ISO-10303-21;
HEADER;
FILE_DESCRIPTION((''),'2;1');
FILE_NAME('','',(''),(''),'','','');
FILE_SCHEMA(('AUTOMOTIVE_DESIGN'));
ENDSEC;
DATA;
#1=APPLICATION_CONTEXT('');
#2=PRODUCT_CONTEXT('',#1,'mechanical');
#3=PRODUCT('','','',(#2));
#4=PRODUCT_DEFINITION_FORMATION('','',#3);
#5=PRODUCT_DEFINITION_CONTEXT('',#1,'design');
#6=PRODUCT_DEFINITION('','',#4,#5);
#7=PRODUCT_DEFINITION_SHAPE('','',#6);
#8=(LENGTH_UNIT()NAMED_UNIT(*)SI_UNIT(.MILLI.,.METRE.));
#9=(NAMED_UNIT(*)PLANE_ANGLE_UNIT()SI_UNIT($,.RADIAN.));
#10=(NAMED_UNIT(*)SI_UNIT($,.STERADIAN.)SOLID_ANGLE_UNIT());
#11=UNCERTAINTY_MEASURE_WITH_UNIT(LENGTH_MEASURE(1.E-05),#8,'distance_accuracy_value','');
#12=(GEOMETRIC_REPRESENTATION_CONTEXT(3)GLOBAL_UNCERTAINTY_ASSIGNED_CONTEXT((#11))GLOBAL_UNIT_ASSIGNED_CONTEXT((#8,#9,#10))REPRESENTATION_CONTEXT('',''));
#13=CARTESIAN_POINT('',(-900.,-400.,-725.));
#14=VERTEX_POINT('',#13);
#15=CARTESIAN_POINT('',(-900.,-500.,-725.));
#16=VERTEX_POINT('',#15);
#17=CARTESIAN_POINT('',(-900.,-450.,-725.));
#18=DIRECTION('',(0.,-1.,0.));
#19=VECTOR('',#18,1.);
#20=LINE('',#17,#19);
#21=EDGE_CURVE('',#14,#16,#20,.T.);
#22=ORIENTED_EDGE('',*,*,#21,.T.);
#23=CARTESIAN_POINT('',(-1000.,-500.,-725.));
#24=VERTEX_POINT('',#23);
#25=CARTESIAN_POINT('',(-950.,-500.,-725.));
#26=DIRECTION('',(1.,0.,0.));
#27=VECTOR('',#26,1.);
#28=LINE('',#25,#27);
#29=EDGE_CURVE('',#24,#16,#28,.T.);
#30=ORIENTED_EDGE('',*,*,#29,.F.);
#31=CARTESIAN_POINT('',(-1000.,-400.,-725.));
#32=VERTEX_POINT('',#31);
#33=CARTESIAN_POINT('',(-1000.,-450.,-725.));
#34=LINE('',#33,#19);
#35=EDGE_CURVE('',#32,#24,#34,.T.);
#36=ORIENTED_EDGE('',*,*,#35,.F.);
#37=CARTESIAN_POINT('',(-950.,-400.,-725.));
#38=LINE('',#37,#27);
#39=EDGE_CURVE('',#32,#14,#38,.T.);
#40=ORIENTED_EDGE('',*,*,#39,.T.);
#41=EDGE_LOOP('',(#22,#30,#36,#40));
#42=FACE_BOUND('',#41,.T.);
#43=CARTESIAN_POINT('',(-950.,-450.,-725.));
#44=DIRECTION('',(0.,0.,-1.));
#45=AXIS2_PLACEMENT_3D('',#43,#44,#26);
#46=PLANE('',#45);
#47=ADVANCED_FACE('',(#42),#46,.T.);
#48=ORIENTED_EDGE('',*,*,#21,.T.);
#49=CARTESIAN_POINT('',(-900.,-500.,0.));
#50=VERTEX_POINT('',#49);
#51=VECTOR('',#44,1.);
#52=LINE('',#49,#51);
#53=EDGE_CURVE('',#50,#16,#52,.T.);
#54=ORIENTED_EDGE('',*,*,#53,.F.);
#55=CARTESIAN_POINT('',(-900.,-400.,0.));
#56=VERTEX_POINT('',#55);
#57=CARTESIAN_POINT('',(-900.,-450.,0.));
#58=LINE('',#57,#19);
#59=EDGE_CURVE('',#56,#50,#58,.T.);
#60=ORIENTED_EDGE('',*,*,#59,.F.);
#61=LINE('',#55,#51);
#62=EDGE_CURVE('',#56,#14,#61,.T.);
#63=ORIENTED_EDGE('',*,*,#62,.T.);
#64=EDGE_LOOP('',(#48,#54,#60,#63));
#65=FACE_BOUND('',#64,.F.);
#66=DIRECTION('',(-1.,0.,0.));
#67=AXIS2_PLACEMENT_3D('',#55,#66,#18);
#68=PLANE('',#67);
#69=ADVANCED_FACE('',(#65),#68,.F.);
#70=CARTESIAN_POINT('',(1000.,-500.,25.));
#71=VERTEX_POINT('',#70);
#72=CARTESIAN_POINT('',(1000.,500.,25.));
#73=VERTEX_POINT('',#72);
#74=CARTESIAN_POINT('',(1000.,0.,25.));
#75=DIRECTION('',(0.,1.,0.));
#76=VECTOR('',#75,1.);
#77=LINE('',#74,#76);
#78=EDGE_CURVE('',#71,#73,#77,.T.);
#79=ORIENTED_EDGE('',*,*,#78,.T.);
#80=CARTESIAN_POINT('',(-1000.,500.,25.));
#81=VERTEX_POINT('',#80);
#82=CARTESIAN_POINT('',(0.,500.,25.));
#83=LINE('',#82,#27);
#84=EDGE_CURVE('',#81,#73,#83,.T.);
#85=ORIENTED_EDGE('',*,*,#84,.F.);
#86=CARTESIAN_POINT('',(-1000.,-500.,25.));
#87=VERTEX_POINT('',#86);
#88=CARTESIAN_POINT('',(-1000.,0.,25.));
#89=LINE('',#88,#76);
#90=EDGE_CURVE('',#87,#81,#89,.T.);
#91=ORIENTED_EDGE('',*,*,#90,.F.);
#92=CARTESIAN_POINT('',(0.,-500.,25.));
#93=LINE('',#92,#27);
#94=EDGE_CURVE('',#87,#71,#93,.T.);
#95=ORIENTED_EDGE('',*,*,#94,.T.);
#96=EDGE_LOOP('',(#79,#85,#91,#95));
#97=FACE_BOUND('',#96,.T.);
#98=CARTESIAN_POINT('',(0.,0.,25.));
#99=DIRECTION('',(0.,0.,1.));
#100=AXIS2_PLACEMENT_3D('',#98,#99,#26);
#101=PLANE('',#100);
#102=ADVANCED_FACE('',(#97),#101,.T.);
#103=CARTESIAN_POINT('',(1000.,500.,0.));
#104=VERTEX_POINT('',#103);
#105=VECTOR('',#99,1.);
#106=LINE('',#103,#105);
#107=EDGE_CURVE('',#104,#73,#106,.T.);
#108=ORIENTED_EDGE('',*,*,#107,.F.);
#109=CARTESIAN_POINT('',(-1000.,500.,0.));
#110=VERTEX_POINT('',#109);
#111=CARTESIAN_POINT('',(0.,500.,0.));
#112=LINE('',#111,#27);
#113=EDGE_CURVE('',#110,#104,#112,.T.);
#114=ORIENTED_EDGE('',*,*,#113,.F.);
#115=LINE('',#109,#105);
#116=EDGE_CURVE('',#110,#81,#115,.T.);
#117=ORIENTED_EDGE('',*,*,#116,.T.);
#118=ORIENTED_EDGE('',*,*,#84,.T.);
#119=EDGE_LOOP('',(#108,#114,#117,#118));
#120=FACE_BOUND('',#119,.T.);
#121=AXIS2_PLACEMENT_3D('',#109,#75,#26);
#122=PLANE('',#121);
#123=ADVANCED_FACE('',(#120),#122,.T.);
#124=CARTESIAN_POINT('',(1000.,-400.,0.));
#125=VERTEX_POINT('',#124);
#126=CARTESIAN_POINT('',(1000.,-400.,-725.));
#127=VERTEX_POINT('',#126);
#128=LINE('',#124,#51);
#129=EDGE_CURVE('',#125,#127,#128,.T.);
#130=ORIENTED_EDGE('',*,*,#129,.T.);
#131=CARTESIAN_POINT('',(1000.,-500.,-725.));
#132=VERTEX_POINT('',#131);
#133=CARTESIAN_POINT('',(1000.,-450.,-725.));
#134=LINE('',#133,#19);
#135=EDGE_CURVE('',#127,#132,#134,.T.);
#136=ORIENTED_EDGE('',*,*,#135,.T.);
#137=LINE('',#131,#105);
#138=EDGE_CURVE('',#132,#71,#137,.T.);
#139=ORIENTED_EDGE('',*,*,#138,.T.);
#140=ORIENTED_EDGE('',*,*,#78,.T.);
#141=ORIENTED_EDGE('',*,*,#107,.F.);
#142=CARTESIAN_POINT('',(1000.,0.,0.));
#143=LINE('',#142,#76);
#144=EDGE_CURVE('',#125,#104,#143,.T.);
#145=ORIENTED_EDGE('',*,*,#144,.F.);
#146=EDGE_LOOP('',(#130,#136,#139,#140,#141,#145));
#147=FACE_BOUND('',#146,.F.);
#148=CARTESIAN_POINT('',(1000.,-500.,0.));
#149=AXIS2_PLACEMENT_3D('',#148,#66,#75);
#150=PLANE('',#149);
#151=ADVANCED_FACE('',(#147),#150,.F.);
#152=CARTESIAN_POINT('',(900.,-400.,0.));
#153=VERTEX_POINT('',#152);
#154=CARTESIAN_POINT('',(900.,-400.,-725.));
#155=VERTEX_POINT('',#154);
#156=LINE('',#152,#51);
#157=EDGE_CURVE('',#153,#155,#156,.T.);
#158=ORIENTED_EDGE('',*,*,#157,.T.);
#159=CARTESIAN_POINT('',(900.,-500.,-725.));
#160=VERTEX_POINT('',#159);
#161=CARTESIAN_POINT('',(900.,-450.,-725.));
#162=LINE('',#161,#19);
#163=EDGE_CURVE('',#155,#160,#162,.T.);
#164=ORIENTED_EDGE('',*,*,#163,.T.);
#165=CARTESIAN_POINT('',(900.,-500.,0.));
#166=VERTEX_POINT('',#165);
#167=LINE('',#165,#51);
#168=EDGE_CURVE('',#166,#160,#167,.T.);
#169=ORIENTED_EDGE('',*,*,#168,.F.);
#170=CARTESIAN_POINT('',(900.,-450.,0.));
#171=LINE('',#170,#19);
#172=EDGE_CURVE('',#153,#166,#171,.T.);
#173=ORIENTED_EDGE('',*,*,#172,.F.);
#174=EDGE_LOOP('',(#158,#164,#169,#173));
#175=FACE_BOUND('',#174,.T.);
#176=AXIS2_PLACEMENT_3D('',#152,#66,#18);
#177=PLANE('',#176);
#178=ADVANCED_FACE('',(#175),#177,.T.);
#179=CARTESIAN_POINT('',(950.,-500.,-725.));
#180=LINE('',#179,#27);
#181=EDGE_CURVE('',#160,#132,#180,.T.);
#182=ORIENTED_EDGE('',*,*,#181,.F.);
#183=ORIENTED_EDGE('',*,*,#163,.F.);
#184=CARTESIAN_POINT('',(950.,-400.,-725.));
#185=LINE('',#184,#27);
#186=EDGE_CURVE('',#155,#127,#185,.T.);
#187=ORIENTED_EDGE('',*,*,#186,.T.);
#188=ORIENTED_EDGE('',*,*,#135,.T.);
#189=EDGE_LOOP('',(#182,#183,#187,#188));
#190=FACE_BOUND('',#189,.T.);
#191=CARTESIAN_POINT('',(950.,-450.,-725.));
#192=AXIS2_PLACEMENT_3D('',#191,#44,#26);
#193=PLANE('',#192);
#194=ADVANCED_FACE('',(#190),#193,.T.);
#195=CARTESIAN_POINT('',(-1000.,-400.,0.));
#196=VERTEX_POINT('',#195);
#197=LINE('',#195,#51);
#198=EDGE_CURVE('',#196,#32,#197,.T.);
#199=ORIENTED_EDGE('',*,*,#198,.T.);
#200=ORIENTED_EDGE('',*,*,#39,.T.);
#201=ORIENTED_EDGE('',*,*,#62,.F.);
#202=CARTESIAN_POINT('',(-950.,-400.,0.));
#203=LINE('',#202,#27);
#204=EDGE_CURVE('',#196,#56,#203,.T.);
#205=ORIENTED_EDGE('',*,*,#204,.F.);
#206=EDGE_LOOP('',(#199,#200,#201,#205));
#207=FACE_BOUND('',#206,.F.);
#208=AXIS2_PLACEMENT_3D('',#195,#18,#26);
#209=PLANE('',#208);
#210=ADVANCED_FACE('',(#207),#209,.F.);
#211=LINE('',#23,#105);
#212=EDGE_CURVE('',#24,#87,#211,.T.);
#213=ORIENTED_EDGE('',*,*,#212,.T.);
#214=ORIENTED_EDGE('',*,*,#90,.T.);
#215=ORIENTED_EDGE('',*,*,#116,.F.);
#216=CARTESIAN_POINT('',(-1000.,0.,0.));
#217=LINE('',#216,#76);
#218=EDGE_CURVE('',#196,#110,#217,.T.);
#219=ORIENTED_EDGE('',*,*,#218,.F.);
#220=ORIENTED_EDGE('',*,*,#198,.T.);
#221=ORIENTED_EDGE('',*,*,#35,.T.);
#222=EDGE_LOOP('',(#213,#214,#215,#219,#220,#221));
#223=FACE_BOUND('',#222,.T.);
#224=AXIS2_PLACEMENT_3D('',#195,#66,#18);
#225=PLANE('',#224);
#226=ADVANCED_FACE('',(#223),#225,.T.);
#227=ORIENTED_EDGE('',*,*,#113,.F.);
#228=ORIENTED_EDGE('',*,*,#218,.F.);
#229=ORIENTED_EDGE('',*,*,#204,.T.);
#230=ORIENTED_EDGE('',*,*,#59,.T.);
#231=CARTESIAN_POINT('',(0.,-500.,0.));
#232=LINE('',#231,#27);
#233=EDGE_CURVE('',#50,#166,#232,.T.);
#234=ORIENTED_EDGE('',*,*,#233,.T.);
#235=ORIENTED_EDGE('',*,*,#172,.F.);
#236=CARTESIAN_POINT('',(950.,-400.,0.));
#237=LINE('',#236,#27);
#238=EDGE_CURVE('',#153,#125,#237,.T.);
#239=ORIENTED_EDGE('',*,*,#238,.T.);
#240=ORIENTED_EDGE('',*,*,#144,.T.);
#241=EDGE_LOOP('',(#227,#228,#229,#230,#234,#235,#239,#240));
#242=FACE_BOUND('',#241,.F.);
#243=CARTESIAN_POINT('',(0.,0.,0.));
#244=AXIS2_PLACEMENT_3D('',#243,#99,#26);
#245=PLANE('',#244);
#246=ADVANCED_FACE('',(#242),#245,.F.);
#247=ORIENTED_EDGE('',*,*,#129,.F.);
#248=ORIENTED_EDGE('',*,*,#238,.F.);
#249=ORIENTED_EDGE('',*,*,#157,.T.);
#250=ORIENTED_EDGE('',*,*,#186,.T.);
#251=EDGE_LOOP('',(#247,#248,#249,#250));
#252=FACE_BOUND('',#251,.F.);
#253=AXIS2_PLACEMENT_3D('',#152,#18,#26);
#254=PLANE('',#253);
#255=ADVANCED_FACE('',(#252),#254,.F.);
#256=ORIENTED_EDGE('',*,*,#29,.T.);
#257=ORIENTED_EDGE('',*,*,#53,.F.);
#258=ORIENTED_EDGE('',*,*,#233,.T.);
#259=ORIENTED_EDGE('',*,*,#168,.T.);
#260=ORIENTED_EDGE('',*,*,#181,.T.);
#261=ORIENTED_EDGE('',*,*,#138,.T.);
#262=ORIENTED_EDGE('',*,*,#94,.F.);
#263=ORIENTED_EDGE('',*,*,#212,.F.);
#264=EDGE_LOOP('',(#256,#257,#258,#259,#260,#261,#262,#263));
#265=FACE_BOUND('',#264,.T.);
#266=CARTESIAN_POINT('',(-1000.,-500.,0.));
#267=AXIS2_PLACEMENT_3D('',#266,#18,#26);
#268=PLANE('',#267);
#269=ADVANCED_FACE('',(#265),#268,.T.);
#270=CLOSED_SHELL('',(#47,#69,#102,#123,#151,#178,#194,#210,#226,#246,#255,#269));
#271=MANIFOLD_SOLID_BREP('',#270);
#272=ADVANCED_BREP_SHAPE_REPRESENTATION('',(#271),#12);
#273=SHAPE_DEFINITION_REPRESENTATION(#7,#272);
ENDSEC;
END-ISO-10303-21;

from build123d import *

# Parameters (mm, degrees)
F0_W     = 2000
F0_H     = 1000
F1_DEPTH = 25
F2_W     = 100
F2_H     = 100
F3_DEPTH = 725


with BuildPart() as f1:
    # F0 (on Top) → F1 (new body)
    with BuildSketch(Plane.XY):
        Rectangle(F0_W, F0_H)
    extrude(amount=F1_DEPTH)

    # F2 (on face) → F3 (join)
    with BuildSketch(Plane(origin=(0, 0, 0), x_dir=(1, 0, 0), z_dir=(0, 0, -1))):
        with Locations((-950, 450)):
            Rectangle(F2_W, F2_H)
        with Locations((950, 450)):
            Rectangle(F2_W, F2_H)
    extrude(amount=F3_DEPTH)


solid = f1.part
